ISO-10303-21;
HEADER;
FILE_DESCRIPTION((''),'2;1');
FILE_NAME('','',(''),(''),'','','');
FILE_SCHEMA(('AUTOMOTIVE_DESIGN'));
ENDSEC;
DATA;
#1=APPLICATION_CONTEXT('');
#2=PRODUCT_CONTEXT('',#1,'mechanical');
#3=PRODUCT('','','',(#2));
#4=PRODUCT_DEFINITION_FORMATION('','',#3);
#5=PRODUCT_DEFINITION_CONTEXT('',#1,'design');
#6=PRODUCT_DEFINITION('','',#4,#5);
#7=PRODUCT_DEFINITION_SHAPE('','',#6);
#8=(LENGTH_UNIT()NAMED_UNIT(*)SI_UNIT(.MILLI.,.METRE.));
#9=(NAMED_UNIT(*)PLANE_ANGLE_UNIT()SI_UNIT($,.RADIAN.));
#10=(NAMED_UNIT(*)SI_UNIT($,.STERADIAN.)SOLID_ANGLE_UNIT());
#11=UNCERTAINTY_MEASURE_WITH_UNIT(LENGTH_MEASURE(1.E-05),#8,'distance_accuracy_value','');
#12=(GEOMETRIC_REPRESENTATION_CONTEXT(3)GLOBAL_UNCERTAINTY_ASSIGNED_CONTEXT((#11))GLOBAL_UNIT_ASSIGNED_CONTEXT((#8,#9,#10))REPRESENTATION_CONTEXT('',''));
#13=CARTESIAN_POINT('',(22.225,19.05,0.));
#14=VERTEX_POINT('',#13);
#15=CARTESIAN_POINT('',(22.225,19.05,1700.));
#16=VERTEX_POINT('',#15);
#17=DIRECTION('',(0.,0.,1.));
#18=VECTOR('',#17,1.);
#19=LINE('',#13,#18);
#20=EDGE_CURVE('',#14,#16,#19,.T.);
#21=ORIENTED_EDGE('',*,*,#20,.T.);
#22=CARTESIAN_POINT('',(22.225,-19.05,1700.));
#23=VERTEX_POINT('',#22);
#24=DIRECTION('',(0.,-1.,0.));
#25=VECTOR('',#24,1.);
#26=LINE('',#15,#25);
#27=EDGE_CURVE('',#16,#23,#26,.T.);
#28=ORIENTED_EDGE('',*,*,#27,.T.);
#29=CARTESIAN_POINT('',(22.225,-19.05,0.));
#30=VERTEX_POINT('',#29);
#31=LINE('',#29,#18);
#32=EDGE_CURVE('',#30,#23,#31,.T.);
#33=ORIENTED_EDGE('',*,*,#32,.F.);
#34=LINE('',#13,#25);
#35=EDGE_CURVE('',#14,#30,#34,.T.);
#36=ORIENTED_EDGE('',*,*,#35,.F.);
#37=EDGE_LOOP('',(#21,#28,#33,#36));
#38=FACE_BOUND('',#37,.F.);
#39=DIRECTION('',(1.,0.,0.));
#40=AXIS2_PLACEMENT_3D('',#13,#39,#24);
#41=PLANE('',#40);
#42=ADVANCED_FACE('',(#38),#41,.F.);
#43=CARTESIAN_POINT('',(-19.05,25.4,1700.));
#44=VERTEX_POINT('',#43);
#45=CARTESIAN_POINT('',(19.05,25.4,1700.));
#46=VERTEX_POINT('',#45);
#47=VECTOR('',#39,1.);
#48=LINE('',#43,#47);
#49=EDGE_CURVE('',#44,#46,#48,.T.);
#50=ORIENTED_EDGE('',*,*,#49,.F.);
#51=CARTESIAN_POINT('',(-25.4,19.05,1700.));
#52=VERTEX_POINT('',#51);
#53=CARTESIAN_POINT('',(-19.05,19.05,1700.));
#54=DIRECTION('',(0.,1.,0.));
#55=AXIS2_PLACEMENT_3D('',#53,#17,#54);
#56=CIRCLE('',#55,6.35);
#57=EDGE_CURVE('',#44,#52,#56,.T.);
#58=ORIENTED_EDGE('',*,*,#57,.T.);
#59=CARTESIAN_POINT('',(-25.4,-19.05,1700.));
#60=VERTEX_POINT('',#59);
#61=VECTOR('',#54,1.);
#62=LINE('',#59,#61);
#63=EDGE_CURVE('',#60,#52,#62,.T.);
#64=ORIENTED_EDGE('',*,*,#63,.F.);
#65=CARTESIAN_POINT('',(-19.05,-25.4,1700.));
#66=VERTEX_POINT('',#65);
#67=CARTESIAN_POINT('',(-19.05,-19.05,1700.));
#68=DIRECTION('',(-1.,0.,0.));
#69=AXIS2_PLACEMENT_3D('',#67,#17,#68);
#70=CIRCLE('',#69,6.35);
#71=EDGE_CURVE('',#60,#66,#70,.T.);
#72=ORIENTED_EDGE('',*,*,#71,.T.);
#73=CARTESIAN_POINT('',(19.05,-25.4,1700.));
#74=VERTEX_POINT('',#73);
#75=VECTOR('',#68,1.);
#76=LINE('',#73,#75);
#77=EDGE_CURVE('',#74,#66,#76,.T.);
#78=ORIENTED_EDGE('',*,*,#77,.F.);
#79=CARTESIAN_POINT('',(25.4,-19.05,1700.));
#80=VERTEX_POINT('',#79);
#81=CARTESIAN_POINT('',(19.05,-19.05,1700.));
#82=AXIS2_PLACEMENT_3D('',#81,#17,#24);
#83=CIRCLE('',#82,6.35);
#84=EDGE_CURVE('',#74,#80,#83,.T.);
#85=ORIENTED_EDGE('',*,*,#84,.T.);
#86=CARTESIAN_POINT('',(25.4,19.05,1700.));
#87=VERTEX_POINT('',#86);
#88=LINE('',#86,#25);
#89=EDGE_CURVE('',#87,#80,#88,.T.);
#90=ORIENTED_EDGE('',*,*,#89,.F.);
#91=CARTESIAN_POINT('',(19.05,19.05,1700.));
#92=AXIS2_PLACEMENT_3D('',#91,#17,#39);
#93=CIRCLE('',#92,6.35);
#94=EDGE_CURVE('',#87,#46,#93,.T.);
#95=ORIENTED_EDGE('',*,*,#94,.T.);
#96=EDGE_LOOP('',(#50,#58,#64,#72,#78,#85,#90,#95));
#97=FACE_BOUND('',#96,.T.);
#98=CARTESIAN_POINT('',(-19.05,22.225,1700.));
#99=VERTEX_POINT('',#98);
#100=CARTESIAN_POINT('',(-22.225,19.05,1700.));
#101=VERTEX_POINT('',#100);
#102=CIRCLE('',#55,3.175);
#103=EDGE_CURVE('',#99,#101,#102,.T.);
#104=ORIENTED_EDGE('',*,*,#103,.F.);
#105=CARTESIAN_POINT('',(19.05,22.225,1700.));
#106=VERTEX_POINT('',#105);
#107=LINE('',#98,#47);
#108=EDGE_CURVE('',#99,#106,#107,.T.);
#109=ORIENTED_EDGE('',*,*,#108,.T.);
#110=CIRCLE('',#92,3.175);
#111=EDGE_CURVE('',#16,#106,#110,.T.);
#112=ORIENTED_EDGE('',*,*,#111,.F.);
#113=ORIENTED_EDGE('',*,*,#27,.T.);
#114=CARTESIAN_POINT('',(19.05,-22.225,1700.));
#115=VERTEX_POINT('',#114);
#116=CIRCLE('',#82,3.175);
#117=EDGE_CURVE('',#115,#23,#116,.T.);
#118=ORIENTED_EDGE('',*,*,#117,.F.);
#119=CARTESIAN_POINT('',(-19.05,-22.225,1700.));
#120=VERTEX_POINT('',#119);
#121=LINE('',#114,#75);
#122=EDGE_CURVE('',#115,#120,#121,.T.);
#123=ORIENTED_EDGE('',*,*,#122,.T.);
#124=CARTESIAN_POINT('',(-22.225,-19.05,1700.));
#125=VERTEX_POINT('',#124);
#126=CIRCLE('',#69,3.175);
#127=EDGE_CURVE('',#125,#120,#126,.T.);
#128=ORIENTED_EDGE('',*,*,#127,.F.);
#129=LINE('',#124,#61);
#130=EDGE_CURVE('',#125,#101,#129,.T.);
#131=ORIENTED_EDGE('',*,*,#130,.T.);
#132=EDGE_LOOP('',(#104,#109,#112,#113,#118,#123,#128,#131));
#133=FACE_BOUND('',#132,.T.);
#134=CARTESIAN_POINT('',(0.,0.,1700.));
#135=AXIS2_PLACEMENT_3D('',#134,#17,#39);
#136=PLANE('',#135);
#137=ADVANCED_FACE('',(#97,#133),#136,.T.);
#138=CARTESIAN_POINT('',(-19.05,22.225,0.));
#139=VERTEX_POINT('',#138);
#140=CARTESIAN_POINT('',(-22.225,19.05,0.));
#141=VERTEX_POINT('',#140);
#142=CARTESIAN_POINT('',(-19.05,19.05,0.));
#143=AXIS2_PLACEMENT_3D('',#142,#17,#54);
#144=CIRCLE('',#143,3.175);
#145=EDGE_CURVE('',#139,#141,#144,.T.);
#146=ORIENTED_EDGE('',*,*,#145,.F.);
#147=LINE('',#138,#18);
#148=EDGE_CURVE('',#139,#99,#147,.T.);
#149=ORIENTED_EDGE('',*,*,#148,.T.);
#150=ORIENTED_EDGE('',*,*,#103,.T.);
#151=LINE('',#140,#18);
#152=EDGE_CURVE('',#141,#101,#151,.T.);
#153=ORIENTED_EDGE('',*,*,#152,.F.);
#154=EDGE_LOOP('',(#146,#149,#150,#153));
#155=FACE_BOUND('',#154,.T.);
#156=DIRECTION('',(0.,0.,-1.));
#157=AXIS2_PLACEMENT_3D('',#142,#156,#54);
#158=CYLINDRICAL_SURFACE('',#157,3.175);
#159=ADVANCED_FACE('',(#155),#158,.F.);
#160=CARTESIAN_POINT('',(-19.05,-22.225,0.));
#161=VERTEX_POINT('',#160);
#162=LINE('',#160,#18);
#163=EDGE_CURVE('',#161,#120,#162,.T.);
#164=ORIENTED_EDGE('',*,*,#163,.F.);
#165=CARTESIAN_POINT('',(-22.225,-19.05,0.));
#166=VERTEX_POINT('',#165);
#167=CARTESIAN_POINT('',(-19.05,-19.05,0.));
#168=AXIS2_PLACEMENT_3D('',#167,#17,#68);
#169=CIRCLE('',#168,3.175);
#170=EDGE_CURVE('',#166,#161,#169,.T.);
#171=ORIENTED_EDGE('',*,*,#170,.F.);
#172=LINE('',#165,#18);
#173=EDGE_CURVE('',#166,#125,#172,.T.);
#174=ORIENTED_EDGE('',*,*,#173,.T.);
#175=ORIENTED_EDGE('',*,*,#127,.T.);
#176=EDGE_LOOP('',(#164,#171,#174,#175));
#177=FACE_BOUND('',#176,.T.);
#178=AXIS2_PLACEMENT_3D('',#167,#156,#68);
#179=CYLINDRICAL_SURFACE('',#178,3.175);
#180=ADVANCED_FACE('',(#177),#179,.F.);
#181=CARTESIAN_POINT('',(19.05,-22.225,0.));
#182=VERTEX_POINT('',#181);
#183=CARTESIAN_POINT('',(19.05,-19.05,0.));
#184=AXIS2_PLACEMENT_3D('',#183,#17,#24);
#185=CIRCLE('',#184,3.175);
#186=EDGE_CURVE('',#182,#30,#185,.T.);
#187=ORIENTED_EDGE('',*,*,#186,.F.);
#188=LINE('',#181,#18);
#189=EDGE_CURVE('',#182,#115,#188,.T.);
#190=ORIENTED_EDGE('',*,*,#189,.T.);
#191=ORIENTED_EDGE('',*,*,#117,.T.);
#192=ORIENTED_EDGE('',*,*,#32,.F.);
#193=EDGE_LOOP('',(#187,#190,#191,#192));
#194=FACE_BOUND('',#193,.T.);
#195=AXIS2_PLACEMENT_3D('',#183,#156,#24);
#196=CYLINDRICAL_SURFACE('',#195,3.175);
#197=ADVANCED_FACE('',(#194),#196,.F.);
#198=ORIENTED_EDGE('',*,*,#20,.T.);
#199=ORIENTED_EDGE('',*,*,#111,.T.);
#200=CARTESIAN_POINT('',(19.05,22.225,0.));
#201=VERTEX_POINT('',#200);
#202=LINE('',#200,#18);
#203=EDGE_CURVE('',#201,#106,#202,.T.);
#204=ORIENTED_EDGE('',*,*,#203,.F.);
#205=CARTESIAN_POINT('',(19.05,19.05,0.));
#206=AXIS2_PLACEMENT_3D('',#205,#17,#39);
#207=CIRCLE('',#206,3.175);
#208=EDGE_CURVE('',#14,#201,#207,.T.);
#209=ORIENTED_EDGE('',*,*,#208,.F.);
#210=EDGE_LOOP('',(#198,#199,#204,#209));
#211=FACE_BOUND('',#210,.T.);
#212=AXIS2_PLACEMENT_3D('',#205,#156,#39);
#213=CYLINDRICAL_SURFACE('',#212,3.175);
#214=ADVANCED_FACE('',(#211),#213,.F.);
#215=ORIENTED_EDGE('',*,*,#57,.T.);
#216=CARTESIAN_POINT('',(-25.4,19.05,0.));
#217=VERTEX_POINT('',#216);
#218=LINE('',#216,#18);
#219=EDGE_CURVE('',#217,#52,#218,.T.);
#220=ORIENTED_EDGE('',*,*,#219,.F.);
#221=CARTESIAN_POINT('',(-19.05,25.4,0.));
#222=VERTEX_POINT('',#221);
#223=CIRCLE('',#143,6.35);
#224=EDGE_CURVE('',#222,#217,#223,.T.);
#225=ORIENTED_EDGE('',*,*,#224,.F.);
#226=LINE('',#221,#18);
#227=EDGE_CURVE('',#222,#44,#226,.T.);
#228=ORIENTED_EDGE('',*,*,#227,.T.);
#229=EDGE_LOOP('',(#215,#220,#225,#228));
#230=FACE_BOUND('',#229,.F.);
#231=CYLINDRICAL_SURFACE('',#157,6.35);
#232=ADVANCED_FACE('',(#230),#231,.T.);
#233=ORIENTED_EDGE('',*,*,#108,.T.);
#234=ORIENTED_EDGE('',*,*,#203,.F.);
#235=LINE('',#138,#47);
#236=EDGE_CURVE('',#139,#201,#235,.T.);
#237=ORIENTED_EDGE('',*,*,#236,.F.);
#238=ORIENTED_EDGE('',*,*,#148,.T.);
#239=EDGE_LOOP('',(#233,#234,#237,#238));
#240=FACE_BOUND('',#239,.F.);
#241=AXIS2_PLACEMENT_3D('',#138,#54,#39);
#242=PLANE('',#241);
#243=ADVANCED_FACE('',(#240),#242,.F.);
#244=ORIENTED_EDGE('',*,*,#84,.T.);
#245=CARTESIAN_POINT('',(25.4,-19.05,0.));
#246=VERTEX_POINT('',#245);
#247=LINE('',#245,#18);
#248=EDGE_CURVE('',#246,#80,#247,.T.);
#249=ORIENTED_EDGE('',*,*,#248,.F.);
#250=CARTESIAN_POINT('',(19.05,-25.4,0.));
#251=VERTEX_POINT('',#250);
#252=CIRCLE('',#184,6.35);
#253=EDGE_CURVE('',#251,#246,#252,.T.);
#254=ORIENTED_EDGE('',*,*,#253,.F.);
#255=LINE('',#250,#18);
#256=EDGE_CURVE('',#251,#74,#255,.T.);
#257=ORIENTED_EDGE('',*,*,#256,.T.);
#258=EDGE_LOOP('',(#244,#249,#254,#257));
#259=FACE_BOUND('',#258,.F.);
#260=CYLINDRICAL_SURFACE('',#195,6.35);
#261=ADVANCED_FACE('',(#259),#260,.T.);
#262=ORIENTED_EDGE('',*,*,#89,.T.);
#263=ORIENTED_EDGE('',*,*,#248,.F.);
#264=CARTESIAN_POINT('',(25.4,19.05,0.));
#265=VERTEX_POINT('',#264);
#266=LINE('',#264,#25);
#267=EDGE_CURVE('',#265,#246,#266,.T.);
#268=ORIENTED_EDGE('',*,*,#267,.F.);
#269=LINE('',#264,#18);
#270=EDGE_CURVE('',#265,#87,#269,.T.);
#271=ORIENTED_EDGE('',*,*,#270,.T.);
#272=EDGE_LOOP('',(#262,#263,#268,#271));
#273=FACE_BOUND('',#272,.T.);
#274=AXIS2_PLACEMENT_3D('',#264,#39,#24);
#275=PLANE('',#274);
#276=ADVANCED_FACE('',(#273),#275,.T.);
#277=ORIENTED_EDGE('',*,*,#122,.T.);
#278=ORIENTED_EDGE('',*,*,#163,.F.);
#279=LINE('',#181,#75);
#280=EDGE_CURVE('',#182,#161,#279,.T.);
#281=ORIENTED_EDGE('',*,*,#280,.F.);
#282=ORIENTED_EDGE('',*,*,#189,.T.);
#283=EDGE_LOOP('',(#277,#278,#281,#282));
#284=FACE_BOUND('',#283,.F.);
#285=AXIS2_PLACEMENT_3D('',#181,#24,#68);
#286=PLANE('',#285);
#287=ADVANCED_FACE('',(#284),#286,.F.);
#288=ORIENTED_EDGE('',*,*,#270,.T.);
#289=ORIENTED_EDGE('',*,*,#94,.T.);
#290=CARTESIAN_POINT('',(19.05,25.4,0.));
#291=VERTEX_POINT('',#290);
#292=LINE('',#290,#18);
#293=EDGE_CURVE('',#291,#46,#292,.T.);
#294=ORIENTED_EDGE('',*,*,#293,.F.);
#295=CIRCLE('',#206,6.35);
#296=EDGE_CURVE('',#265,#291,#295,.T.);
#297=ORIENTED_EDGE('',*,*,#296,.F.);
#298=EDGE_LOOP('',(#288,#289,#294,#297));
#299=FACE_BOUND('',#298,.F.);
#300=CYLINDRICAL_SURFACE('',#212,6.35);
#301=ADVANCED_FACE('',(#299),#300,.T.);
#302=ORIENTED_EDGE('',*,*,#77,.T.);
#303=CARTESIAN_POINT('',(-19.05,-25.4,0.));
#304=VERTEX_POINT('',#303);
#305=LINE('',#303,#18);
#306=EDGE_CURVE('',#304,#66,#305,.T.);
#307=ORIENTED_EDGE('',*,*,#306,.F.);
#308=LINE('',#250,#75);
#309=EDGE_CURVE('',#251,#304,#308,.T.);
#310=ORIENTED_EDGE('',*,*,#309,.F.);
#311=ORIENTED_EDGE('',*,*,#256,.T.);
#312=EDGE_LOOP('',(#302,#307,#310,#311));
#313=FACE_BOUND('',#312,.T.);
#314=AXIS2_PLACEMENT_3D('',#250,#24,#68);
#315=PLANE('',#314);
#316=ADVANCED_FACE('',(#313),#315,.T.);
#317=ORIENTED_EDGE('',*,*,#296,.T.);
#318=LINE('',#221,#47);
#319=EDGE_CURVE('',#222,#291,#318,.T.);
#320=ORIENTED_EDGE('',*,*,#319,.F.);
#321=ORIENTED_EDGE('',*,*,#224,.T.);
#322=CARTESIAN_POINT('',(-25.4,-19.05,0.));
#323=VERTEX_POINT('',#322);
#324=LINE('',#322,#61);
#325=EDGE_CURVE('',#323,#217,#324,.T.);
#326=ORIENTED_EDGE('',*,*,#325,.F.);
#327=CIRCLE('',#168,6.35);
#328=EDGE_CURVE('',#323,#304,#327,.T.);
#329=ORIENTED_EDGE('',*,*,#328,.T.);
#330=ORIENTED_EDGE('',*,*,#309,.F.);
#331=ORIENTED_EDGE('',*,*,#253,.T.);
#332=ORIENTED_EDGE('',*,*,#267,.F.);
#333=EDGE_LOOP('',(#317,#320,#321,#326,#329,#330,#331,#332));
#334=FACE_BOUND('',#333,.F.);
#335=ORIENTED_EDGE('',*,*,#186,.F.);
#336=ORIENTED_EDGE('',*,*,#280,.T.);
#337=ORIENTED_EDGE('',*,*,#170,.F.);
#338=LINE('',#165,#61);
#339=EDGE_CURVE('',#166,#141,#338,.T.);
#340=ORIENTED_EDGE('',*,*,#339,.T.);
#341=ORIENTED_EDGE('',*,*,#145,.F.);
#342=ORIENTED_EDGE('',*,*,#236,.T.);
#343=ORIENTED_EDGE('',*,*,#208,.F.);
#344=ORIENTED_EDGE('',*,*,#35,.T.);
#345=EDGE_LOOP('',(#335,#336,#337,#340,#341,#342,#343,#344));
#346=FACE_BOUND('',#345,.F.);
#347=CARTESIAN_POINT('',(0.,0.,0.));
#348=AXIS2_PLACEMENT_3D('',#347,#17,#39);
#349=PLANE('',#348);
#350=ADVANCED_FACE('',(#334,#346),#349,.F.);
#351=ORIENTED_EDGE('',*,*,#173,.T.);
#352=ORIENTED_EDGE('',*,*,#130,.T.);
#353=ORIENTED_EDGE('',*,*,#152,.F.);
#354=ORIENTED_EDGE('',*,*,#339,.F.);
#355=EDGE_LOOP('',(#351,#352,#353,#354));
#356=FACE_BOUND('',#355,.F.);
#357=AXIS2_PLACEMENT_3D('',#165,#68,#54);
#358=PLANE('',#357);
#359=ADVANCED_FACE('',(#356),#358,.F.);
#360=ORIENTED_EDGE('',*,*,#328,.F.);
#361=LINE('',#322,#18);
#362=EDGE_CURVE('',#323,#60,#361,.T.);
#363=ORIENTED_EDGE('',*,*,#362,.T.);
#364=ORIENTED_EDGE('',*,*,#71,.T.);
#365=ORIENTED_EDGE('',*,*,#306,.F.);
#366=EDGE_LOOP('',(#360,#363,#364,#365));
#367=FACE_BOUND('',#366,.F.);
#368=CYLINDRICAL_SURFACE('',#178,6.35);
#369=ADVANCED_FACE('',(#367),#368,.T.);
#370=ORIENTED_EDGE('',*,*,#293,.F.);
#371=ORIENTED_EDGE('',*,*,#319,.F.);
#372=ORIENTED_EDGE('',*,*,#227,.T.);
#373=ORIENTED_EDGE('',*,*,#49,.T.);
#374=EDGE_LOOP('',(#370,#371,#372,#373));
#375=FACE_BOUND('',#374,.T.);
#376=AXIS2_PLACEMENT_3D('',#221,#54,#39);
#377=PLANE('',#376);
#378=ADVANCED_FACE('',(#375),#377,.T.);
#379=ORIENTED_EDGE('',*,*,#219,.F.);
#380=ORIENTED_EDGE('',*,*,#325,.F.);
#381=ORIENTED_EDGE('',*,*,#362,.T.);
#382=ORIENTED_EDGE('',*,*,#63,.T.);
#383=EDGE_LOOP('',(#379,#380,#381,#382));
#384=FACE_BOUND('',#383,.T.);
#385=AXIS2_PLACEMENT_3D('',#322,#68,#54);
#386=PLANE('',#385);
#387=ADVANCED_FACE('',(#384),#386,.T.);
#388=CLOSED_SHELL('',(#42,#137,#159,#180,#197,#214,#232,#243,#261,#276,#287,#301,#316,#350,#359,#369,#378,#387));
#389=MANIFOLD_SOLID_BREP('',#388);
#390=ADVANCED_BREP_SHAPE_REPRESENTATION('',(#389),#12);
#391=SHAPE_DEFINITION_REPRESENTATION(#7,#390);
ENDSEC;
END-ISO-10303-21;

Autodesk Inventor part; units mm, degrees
ref_plane "YZ Plane" through (0, 0, 0) normal (1, 0, 0) x (0, 1, 0)
ref_plane "Plano inicial" through (0, 0, 0) normal (0, 0, 1) x (1, 0, 0)
ref_plane "Plano final" through (0, 0, 1700) normal (0, 0, 1) x (1, 0, 0)
sketch "Boceto" plane through (0, 0, 0) normal (0, 0, 1) x (1, 0, 0)
  line L0 (-25.4, -19.05) -> (-25.4, 19.05)
  line L1 (-19.05, 25.4) -> (19.05, 25.4)
  line L2 (25.4, 19.05) -> (25.4, -19.05)
  line L3 (19.05, -25.4) -> (-19.05, -25.4)
  arc A0 (-25.4, -19.05) -> (-19.05, -25.4) centre (-19.05, -19.05) ccw
  arc A1 (-19.05, 25.4) -> (-25.4, 19.05) centre (-19.05, 19.05) ccw
  arc A2 (25.4, 19.05) -> (19.05, 25.4) centre (19.05, 19.05) ccw
  arc A3 (19.05, -25.4) -> (25.4, -19.05) centre (19.05, -19.05) ccw
  arc A4 (-19.05, 22.225) -> (-22.225, 19.05) centre (-19.05, 19.05) ccw
  line L4 (-19.05, 22.225) -> (19.05, 22.225)
  arc A5 (22.225, 19.05) -> (19.05, 22.225) centre (19.05, 19.05) ccw
  line L5 (22.225, 19.05) -> (22.225, -19.05)
  arc A6 (19.05, -22.225) -> (22.225, -19.05) centre (19.05, -19.05) ccw
  line L6 (19.05, -22.225) -> (-19.05, -22.225)
  arc A7 (-22.225, -19.05) -> (-19.05, -22.225) centre (-19.05, -19.05) ccw
  line L7 (-22.225, -19.05) -> (-22.225, 19.05)
  line L8 (0, 37.4012) -> (0, -37.4012) construction
  line L9 (-37.4012, 0) -> (37.4012, 0) construction
  dimension "d10" = 50.8
  dimension "d11" = 50.8
  dimension "d12" = 3.175
  dimension "d15" = 25.4
  dimension "d16" = 25.4
  dimension "d17" = 6.35
extrude "Cuerpo" add sketch "Boceto" along normal up to surface (1700 mm away) from surface at 0
sketch "Sketch3" plane through (0, 0, 0) normal (0, 0, 1) x (1, 0, 0)
  line L0 (0, 0) -> (10, 0)
ref_plane "Work Plane3" through (0, 0, 0) normal (0, -1, 0) x (1, 0, 0)
sketch "Sketch4" plane through (0, 0, 0) normal (0, -1, 0) x (1, 0, 0)
  line L0 (-2, 0) -> (12, 0) projected
  line L1 (-2, 1700) -> (12, 1700) projected
  dimension "d19" = 1700
equation "\"d10\" = G_H"
equation "\"d11\" = G_W"
equation "\"d12\" = G_T"
equation "\"d15\" = 0.5 * d10"
equation "\"d16\" = 0.5 * d11"
equation "\"d17\" = G_IR"
equation "\"d3\" = G_L"
equation "\"G_W\" = 50.8"
equation "\"G_H\" = 50.8"
equation "\"G_T\" = 3.175"
equation "\"G_IR\" = 6.35"
equation "\"G_L\" = d19"
equation "\"G_OFFSET_START\" = 0"
equation "\"G_OFFSET_END\" = 0"
equation "\"d14\" = G_OFFSET_END + B_L"
equation "\"B_L\" = 1700"
properties part number "AISC - 2 x 2 x 1/8 - 66,929" material "Acero, suave"
